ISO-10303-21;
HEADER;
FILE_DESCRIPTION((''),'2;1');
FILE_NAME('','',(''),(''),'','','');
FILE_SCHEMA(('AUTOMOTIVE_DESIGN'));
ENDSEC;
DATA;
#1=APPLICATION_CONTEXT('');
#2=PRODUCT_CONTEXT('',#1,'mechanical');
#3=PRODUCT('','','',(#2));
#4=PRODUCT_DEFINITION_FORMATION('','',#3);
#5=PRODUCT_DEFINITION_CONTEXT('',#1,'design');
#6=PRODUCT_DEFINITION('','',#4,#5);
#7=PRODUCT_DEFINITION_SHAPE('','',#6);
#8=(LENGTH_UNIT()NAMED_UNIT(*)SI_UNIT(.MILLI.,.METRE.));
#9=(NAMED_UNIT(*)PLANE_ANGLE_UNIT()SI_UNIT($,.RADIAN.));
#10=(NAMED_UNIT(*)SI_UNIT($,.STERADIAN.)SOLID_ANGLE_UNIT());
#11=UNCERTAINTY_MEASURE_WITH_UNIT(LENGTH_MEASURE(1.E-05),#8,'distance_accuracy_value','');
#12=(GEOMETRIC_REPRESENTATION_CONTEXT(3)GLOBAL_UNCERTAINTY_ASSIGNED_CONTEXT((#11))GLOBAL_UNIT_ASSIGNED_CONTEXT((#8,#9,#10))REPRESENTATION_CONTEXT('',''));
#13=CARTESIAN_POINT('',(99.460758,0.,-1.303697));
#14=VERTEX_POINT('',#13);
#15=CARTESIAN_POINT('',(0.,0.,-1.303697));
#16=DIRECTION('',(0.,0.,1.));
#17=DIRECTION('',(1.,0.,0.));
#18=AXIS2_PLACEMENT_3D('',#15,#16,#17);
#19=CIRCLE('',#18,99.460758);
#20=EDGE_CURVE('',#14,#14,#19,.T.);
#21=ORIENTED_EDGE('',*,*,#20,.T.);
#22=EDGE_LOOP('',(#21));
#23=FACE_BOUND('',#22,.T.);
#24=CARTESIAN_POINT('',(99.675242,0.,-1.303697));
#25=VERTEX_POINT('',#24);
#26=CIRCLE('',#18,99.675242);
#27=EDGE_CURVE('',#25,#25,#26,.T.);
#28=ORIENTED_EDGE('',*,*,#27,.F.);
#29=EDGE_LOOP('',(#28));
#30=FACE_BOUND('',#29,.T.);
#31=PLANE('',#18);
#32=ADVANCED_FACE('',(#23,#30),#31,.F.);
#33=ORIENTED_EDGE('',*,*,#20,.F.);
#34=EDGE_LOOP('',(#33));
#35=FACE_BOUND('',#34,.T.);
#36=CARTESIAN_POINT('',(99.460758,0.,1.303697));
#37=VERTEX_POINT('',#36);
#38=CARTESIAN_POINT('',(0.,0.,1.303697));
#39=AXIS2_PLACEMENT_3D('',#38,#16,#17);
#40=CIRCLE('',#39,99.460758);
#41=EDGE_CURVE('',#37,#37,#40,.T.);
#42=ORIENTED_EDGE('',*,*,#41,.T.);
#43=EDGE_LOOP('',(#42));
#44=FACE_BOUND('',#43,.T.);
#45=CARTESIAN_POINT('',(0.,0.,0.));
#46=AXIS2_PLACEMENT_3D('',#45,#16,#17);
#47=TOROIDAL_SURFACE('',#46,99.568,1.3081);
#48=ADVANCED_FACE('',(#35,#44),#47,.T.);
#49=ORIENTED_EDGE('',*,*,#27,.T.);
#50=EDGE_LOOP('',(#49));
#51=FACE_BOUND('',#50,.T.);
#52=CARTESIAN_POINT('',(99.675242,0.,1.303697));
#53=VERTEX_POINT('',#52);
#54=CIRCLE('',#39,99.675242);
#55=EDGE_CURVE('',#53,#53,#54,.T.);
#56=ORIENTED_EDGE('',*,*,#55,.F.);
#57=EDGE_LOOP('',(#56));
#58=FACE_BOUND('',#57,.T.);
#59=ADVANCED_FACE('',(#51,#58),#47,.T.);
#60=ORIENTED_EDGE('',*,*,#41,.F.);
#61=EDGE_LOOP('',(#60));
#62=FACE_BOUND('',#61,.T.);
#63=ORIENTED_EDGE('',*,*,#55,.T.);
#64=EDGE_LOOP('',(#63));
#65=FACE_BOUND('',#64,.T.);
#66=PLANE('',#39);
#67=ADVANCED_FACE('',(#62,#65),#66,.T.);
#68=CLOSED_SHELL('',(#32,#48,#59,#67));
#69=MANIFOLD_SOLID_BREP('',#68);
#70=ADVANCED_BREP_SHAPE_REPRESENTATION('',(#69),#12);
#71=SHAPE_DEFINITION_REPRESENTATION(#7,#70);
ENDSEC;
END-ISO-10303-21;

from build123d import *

# Parameters (mm, degrees)
SKETCH1_W = 0.214483614
SKETCH1_H = 2.607393184


with BuildPart() as part:
    # Sketch1 → Revolve1 (revolve)
    with BuildSketch(Plane(origin=(0, 0, 0), x_dir=(0, -1, 0), z_dir=(1, 0, 0)), mode=Mode.PRIVATE) as revolve1_sk:
        with BuildLine():
            ThreePointArc((99.460758193, 1.303696592), (98.2599, 0), (99.460758193, -1.303696592))
            Line((99.460758193, -1.303696592), (99.460758193, 1.303696592))
        make_face()
        with BuildLine():
            Line((99.675241807, 1.303696592), (99.675241807, -1.303696592))
            ThreePointArc((99.675241807, -1.303696592), (100.530135286, -0.886239979), (100.8761, 0))
            ThreePointArc((100.8761, 0), (100.530135286, 0.886239979), (99.675241807, 1.303696592))
        make_face()
        with Locations((99.568, 0)):
            Rectangle(SKETCH1_W, SKETCH1_H)
    revolve(revolve1_sk.sketch.rotate(Axis((0, 0, 1.3081), (0, 0, -1)), 270), axis=Axis((0, 0, 1.3081), (0, 0, -1)))


solid = part.part
